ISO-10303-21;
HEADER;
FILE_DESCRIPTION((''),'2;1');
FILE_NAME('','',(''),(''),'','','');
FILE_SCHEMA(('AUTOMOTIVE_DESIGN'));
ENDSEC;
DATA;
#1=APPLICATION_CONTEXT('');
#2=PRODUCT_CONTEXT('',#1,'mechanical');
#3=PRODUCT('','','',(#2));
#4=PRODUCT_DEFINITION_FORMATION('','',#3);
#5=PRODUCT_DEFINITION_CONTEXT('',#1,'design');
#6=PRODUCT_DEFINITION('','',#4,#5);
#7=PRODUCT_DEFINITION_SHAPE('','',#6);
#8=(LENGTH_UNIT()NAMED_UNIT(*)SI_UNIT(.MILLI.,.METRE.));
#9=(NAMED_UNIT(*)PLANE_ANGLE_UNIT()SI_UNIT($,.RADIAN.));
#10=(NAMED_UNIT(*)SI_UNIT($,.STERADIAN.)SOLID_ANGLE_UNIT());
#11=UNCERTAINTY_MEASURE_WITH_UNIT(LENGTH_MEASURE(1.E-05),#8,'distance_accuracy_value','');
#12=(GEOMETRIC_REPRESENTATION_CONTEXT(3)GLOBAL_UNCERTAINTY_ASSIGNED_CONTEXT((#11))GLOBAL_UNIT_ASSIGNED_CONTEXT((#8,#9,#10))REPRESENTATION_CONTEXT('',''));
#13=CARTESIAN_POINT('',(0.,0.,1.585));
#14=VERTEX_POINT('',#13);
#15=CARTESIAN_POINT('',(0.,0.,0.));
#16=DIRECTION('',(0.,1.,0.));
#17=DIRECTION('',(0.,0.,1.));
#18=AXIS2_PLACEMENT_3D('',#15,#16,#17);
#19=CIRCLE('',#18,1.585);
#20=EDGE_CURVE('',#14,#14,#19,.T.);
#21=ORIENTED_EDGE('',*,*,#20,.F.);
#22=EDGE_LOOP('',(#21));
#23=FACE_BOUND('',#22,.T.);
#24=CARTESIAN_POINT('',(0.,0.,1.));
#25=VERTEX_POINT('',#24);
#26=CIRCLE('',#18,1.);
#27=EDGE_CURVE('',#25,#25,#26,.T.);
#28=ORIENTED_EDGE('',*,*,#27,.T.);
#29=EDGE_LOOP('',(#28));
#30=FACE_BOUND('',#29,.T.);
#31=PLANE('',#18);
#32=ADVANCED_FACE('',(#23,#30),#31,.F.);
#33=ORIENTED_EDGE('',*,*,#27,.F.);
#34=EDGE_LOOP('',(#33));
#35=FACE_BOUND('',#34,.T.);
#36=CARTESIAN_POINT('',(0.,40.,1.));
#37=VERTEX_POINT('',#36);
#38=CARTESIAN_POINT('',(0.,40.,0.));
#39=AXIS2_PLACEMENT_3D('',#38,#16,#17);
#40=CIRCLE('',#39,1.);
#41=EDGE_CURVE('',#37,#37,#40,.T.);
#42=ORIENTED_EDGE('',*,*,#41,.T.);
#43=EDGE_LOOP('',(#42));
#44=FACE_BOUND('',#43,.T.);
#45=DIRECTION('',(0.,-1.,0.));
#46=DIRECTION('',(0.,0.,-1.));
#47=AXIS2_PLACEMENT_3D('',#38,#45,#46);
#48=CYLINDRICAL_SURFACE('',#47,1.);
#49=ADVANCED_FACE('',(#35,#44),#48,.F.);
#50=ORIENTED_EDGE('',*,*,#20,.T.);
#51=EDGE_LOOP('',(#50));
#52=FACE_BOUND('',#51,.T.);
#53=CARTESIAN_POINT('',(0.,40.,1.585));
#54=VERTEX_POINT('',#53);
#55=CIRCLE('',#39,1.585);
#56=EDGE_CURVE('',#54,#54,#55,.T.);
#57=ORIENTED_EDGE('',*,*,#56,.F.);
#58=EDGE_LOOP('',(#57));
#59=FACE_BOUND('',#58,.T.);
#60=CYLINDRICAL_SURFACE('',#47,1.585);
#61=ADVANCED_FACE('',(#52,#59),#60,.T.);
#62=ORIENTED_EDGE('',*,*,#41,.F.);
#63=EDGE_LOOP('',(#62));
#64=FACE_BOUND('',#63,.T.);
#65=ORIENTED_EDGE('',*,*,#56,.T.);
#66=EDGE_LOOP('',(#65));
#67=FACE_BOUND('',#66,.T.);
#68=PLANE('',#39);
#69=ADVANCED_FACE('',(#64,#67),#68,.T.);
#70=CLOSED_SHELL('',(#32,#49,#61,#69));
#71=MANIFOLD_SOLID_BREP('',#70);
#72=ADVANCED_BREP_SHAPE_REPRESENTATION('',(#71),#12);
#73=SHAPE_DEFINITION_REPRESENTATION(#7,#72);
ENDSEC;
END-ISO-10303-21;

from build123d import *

# Parameters (mm, degrees)
CROQUIS1_R              = 1.585
CROQUIS1_R_2            = 1
SALIENTE_EXTRUIR1_DEPTH = 40


with BuildPart() as part:
    # Croquis1 → Saliente-Extruir1 (new body)
    with BuildSketch(Plane(origin=(0, 0, 0), x_dir=(1, 0, 0), z_dir=(0, 1, 0))):
        Circle(CROQUIS1_R)
        Circle(CROQUIS1_R_2, mode=Mode.SUBTRACT)
    extrude(amount=SALIENTE_EXTRUIR1_DEPTH)


solid = part.part
